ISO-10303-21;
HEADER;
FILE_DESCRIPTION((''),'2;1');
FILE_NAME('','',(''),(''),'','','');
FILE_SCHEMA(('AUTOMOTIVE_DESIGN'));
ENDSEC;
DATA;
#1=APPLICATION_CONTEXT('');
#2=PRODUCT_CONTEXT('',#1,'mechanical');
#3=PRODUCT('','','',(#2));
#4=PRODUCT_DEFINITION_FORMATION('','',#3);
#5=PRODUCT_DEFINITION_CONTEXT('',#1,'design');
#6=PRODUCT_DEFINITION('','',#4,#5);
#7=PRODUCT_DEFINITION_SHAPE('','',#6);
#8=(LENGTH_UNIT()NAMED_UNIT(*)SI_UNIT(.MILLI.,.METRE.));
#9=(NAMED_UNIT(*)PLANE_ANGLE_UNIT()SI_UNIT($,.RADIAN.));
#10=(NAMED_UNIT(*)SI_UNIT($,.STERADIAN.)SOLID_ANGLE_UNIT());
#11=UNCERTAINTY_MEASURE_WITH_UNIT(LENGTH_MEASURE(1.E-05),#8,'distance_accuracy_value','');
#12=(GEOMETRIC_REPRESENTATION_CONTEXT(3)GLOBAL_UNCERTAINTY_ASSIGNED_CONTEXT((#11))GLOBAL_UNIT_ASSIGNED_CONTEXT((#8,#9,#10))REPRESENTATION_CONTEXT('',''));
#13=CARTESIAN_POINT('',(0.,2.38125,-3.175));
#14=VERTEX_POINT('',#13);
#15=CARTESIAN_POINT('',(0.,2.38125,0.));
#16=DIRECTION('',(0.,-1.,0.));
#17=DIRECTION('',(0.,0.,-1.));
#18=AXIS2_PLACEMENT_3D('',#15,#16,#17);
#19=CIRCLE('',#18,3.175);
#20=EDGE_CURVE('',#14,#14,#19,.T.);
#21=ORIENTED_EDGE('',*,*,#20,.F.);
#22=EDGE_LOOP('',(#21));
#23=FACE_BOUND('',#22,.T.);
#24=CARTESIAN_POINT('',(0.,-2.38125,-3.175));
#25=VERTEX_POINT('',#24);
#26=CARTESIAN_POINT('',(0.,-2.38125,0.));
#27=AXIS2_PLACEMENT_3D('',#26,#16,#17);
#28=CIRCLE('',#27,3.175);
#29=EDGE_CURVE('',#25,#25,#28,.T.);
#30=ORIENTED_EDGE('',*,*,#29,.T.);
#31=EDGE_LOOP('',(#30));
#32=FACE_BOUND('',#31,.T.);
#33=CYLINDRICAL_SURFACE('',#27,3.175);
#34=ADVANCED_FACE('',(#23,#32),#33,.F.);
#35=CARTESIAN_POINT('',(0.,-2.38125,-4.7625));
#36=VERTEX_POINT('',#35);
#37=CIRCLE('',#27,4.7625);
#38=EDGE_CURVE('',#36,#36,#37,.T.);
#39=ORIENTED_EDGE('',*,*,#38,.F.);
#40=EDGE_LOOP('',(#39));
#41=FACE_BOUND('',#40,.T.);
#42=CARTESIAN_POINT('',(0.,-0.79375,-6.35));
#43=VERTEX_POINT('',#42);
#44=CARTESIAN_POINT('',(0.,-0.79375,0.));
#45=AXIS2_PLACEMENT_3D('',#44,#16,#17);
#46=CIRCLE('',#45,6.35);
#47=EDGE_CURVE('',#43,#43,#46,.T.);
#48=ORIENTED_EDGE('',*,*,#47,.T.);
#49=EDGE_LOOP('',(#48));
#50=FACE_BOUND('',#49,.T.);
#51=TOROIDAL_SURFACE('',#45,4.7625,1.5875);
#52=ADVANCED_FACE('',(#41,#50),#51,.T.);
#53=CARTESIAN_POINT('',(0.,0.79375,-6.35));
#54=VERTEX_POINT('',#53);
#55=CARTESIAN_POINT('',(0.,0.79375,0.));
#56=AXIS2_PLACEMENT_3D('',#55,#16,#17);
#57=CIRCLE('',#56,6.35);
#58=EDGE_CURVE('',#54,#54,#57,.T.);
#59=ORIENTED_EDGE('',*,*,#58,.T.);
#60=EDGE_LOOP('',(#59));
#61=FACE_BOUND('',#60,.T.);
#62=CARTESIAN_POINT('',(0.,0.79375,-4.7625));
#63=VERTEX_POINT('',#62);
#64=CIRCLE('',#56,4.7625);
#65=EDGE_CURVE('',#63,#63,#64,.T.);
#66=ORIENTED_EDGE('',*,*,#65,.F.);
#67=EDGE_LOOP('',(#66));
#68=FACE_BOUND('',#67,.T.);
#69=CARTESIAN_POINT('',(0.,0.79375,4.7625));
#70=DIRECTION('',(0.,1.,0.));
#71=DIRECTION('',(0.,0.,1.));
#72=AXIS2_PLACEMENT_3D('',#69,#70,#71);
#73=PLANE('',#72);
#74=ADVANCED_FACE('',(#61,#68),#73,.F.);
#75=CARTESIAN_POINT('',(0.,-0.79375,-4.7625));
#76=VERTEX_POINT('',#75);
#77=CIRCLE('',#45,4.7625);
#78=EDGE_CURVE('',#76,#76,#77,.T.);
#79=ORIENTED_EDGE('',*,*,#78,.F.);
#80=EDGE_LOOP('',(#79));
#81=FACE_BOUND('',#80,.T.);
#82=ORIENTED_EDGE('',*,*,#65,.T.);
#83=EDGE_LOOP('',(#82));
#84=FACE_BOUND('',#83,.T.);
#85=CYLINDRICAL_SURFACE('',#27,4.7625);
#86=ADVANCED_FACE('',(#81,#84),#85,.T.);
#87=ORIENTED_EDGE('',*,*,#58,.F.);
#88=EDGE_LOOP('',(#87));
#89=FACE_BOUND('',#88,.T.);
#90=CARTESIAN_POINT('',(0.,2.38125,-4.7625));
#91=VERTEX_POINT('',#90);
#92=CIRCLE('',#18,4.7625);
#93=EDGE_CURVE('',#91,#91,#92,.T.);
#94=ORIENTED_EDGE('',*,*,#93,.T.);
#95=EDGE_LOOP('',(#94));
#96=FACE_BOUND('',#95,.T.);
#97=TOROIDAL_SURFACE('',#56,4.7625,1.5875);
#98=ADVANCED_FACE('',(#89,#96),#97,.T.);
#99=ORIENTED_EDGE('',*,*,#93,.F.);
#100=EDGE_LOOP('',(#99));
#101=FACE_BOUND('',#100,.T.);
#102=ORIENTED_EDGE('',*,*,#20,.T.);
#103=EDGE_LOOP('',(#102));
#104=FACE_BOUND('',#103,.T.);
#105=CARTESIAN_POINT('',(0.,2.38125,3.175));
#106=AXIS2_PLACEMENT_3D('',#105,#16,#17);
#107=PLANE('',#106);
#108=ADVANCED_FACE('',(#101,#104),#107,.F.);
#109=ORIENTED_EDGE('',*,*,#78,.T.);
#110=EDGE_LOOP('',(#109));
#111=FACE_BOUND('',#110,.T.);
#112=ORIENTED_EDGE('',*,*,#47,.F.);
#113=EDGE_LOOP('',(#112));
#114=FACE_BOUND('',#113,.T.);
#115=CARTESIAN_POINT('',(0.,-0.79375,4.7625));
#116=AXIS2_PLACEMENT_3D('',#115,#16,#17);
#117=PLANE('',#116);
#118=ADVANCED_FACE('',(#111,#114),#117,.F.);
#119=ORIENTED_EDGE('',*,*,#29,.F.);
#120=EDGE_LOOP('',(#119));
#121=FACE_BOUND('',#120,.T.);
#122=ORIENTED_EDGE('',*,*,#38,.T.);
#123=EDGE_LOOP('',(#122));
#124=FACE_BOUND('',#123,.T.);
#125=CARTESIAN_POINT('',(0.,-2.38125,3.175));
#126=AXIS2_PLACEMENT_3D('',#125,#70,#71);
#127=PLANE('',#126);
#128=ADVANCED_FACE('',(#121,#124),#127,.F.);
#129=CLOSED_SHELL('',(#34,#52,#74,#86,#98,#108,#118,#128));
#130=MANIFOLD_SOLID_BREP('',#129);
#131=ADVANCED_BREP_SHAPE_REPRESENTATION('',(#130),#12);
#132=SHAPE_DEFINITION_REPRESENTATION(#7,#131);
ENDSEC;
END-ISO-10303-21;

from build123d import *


with BuildPart() as part:
    # Sketch2 → Revolve1 (revolve)
    with BuildSketch(Plane(origin=(0, 0, 0), x_dir=(0, 0, -1), z_dir=(1, 0, 0)), mode=Mode.PRIVATE) as revolve1_sk:
        with BuildLine():
            Line((-3.175, -2.38125), (-3.175, 2.38125))
            Line((-3.175, 2.38125), (-4.7625, 2.38125))
            ThreePointArc((-4.7625, 2.38125), (-5.885032015, 1.916282015), (-6.35, 0.79375))
            Line((-6.35, 0.79375), (-4.7625, 0.79375))
            Line((-4.7625, 0.79375), (-4.7625, -0.79375))
            Line((-4.7625, -0.79375), (-6.35, -0.79375))
            ThreePointArc((-6.35, -0.79375), (-5.885032015, -1.916282015), (-4.7625, -2.38125))
            Line((-4.7625, -2.38125), (-3.175, -2.38125))
        make_face()
    revolve(revolve1_sk.sketch.rotate(Axis((0, -2.38125, 0), (0, 1, 0)), 180), axis=Axis((0, -2.38125, 0), (0, 1, 0)))


solid = part.part
